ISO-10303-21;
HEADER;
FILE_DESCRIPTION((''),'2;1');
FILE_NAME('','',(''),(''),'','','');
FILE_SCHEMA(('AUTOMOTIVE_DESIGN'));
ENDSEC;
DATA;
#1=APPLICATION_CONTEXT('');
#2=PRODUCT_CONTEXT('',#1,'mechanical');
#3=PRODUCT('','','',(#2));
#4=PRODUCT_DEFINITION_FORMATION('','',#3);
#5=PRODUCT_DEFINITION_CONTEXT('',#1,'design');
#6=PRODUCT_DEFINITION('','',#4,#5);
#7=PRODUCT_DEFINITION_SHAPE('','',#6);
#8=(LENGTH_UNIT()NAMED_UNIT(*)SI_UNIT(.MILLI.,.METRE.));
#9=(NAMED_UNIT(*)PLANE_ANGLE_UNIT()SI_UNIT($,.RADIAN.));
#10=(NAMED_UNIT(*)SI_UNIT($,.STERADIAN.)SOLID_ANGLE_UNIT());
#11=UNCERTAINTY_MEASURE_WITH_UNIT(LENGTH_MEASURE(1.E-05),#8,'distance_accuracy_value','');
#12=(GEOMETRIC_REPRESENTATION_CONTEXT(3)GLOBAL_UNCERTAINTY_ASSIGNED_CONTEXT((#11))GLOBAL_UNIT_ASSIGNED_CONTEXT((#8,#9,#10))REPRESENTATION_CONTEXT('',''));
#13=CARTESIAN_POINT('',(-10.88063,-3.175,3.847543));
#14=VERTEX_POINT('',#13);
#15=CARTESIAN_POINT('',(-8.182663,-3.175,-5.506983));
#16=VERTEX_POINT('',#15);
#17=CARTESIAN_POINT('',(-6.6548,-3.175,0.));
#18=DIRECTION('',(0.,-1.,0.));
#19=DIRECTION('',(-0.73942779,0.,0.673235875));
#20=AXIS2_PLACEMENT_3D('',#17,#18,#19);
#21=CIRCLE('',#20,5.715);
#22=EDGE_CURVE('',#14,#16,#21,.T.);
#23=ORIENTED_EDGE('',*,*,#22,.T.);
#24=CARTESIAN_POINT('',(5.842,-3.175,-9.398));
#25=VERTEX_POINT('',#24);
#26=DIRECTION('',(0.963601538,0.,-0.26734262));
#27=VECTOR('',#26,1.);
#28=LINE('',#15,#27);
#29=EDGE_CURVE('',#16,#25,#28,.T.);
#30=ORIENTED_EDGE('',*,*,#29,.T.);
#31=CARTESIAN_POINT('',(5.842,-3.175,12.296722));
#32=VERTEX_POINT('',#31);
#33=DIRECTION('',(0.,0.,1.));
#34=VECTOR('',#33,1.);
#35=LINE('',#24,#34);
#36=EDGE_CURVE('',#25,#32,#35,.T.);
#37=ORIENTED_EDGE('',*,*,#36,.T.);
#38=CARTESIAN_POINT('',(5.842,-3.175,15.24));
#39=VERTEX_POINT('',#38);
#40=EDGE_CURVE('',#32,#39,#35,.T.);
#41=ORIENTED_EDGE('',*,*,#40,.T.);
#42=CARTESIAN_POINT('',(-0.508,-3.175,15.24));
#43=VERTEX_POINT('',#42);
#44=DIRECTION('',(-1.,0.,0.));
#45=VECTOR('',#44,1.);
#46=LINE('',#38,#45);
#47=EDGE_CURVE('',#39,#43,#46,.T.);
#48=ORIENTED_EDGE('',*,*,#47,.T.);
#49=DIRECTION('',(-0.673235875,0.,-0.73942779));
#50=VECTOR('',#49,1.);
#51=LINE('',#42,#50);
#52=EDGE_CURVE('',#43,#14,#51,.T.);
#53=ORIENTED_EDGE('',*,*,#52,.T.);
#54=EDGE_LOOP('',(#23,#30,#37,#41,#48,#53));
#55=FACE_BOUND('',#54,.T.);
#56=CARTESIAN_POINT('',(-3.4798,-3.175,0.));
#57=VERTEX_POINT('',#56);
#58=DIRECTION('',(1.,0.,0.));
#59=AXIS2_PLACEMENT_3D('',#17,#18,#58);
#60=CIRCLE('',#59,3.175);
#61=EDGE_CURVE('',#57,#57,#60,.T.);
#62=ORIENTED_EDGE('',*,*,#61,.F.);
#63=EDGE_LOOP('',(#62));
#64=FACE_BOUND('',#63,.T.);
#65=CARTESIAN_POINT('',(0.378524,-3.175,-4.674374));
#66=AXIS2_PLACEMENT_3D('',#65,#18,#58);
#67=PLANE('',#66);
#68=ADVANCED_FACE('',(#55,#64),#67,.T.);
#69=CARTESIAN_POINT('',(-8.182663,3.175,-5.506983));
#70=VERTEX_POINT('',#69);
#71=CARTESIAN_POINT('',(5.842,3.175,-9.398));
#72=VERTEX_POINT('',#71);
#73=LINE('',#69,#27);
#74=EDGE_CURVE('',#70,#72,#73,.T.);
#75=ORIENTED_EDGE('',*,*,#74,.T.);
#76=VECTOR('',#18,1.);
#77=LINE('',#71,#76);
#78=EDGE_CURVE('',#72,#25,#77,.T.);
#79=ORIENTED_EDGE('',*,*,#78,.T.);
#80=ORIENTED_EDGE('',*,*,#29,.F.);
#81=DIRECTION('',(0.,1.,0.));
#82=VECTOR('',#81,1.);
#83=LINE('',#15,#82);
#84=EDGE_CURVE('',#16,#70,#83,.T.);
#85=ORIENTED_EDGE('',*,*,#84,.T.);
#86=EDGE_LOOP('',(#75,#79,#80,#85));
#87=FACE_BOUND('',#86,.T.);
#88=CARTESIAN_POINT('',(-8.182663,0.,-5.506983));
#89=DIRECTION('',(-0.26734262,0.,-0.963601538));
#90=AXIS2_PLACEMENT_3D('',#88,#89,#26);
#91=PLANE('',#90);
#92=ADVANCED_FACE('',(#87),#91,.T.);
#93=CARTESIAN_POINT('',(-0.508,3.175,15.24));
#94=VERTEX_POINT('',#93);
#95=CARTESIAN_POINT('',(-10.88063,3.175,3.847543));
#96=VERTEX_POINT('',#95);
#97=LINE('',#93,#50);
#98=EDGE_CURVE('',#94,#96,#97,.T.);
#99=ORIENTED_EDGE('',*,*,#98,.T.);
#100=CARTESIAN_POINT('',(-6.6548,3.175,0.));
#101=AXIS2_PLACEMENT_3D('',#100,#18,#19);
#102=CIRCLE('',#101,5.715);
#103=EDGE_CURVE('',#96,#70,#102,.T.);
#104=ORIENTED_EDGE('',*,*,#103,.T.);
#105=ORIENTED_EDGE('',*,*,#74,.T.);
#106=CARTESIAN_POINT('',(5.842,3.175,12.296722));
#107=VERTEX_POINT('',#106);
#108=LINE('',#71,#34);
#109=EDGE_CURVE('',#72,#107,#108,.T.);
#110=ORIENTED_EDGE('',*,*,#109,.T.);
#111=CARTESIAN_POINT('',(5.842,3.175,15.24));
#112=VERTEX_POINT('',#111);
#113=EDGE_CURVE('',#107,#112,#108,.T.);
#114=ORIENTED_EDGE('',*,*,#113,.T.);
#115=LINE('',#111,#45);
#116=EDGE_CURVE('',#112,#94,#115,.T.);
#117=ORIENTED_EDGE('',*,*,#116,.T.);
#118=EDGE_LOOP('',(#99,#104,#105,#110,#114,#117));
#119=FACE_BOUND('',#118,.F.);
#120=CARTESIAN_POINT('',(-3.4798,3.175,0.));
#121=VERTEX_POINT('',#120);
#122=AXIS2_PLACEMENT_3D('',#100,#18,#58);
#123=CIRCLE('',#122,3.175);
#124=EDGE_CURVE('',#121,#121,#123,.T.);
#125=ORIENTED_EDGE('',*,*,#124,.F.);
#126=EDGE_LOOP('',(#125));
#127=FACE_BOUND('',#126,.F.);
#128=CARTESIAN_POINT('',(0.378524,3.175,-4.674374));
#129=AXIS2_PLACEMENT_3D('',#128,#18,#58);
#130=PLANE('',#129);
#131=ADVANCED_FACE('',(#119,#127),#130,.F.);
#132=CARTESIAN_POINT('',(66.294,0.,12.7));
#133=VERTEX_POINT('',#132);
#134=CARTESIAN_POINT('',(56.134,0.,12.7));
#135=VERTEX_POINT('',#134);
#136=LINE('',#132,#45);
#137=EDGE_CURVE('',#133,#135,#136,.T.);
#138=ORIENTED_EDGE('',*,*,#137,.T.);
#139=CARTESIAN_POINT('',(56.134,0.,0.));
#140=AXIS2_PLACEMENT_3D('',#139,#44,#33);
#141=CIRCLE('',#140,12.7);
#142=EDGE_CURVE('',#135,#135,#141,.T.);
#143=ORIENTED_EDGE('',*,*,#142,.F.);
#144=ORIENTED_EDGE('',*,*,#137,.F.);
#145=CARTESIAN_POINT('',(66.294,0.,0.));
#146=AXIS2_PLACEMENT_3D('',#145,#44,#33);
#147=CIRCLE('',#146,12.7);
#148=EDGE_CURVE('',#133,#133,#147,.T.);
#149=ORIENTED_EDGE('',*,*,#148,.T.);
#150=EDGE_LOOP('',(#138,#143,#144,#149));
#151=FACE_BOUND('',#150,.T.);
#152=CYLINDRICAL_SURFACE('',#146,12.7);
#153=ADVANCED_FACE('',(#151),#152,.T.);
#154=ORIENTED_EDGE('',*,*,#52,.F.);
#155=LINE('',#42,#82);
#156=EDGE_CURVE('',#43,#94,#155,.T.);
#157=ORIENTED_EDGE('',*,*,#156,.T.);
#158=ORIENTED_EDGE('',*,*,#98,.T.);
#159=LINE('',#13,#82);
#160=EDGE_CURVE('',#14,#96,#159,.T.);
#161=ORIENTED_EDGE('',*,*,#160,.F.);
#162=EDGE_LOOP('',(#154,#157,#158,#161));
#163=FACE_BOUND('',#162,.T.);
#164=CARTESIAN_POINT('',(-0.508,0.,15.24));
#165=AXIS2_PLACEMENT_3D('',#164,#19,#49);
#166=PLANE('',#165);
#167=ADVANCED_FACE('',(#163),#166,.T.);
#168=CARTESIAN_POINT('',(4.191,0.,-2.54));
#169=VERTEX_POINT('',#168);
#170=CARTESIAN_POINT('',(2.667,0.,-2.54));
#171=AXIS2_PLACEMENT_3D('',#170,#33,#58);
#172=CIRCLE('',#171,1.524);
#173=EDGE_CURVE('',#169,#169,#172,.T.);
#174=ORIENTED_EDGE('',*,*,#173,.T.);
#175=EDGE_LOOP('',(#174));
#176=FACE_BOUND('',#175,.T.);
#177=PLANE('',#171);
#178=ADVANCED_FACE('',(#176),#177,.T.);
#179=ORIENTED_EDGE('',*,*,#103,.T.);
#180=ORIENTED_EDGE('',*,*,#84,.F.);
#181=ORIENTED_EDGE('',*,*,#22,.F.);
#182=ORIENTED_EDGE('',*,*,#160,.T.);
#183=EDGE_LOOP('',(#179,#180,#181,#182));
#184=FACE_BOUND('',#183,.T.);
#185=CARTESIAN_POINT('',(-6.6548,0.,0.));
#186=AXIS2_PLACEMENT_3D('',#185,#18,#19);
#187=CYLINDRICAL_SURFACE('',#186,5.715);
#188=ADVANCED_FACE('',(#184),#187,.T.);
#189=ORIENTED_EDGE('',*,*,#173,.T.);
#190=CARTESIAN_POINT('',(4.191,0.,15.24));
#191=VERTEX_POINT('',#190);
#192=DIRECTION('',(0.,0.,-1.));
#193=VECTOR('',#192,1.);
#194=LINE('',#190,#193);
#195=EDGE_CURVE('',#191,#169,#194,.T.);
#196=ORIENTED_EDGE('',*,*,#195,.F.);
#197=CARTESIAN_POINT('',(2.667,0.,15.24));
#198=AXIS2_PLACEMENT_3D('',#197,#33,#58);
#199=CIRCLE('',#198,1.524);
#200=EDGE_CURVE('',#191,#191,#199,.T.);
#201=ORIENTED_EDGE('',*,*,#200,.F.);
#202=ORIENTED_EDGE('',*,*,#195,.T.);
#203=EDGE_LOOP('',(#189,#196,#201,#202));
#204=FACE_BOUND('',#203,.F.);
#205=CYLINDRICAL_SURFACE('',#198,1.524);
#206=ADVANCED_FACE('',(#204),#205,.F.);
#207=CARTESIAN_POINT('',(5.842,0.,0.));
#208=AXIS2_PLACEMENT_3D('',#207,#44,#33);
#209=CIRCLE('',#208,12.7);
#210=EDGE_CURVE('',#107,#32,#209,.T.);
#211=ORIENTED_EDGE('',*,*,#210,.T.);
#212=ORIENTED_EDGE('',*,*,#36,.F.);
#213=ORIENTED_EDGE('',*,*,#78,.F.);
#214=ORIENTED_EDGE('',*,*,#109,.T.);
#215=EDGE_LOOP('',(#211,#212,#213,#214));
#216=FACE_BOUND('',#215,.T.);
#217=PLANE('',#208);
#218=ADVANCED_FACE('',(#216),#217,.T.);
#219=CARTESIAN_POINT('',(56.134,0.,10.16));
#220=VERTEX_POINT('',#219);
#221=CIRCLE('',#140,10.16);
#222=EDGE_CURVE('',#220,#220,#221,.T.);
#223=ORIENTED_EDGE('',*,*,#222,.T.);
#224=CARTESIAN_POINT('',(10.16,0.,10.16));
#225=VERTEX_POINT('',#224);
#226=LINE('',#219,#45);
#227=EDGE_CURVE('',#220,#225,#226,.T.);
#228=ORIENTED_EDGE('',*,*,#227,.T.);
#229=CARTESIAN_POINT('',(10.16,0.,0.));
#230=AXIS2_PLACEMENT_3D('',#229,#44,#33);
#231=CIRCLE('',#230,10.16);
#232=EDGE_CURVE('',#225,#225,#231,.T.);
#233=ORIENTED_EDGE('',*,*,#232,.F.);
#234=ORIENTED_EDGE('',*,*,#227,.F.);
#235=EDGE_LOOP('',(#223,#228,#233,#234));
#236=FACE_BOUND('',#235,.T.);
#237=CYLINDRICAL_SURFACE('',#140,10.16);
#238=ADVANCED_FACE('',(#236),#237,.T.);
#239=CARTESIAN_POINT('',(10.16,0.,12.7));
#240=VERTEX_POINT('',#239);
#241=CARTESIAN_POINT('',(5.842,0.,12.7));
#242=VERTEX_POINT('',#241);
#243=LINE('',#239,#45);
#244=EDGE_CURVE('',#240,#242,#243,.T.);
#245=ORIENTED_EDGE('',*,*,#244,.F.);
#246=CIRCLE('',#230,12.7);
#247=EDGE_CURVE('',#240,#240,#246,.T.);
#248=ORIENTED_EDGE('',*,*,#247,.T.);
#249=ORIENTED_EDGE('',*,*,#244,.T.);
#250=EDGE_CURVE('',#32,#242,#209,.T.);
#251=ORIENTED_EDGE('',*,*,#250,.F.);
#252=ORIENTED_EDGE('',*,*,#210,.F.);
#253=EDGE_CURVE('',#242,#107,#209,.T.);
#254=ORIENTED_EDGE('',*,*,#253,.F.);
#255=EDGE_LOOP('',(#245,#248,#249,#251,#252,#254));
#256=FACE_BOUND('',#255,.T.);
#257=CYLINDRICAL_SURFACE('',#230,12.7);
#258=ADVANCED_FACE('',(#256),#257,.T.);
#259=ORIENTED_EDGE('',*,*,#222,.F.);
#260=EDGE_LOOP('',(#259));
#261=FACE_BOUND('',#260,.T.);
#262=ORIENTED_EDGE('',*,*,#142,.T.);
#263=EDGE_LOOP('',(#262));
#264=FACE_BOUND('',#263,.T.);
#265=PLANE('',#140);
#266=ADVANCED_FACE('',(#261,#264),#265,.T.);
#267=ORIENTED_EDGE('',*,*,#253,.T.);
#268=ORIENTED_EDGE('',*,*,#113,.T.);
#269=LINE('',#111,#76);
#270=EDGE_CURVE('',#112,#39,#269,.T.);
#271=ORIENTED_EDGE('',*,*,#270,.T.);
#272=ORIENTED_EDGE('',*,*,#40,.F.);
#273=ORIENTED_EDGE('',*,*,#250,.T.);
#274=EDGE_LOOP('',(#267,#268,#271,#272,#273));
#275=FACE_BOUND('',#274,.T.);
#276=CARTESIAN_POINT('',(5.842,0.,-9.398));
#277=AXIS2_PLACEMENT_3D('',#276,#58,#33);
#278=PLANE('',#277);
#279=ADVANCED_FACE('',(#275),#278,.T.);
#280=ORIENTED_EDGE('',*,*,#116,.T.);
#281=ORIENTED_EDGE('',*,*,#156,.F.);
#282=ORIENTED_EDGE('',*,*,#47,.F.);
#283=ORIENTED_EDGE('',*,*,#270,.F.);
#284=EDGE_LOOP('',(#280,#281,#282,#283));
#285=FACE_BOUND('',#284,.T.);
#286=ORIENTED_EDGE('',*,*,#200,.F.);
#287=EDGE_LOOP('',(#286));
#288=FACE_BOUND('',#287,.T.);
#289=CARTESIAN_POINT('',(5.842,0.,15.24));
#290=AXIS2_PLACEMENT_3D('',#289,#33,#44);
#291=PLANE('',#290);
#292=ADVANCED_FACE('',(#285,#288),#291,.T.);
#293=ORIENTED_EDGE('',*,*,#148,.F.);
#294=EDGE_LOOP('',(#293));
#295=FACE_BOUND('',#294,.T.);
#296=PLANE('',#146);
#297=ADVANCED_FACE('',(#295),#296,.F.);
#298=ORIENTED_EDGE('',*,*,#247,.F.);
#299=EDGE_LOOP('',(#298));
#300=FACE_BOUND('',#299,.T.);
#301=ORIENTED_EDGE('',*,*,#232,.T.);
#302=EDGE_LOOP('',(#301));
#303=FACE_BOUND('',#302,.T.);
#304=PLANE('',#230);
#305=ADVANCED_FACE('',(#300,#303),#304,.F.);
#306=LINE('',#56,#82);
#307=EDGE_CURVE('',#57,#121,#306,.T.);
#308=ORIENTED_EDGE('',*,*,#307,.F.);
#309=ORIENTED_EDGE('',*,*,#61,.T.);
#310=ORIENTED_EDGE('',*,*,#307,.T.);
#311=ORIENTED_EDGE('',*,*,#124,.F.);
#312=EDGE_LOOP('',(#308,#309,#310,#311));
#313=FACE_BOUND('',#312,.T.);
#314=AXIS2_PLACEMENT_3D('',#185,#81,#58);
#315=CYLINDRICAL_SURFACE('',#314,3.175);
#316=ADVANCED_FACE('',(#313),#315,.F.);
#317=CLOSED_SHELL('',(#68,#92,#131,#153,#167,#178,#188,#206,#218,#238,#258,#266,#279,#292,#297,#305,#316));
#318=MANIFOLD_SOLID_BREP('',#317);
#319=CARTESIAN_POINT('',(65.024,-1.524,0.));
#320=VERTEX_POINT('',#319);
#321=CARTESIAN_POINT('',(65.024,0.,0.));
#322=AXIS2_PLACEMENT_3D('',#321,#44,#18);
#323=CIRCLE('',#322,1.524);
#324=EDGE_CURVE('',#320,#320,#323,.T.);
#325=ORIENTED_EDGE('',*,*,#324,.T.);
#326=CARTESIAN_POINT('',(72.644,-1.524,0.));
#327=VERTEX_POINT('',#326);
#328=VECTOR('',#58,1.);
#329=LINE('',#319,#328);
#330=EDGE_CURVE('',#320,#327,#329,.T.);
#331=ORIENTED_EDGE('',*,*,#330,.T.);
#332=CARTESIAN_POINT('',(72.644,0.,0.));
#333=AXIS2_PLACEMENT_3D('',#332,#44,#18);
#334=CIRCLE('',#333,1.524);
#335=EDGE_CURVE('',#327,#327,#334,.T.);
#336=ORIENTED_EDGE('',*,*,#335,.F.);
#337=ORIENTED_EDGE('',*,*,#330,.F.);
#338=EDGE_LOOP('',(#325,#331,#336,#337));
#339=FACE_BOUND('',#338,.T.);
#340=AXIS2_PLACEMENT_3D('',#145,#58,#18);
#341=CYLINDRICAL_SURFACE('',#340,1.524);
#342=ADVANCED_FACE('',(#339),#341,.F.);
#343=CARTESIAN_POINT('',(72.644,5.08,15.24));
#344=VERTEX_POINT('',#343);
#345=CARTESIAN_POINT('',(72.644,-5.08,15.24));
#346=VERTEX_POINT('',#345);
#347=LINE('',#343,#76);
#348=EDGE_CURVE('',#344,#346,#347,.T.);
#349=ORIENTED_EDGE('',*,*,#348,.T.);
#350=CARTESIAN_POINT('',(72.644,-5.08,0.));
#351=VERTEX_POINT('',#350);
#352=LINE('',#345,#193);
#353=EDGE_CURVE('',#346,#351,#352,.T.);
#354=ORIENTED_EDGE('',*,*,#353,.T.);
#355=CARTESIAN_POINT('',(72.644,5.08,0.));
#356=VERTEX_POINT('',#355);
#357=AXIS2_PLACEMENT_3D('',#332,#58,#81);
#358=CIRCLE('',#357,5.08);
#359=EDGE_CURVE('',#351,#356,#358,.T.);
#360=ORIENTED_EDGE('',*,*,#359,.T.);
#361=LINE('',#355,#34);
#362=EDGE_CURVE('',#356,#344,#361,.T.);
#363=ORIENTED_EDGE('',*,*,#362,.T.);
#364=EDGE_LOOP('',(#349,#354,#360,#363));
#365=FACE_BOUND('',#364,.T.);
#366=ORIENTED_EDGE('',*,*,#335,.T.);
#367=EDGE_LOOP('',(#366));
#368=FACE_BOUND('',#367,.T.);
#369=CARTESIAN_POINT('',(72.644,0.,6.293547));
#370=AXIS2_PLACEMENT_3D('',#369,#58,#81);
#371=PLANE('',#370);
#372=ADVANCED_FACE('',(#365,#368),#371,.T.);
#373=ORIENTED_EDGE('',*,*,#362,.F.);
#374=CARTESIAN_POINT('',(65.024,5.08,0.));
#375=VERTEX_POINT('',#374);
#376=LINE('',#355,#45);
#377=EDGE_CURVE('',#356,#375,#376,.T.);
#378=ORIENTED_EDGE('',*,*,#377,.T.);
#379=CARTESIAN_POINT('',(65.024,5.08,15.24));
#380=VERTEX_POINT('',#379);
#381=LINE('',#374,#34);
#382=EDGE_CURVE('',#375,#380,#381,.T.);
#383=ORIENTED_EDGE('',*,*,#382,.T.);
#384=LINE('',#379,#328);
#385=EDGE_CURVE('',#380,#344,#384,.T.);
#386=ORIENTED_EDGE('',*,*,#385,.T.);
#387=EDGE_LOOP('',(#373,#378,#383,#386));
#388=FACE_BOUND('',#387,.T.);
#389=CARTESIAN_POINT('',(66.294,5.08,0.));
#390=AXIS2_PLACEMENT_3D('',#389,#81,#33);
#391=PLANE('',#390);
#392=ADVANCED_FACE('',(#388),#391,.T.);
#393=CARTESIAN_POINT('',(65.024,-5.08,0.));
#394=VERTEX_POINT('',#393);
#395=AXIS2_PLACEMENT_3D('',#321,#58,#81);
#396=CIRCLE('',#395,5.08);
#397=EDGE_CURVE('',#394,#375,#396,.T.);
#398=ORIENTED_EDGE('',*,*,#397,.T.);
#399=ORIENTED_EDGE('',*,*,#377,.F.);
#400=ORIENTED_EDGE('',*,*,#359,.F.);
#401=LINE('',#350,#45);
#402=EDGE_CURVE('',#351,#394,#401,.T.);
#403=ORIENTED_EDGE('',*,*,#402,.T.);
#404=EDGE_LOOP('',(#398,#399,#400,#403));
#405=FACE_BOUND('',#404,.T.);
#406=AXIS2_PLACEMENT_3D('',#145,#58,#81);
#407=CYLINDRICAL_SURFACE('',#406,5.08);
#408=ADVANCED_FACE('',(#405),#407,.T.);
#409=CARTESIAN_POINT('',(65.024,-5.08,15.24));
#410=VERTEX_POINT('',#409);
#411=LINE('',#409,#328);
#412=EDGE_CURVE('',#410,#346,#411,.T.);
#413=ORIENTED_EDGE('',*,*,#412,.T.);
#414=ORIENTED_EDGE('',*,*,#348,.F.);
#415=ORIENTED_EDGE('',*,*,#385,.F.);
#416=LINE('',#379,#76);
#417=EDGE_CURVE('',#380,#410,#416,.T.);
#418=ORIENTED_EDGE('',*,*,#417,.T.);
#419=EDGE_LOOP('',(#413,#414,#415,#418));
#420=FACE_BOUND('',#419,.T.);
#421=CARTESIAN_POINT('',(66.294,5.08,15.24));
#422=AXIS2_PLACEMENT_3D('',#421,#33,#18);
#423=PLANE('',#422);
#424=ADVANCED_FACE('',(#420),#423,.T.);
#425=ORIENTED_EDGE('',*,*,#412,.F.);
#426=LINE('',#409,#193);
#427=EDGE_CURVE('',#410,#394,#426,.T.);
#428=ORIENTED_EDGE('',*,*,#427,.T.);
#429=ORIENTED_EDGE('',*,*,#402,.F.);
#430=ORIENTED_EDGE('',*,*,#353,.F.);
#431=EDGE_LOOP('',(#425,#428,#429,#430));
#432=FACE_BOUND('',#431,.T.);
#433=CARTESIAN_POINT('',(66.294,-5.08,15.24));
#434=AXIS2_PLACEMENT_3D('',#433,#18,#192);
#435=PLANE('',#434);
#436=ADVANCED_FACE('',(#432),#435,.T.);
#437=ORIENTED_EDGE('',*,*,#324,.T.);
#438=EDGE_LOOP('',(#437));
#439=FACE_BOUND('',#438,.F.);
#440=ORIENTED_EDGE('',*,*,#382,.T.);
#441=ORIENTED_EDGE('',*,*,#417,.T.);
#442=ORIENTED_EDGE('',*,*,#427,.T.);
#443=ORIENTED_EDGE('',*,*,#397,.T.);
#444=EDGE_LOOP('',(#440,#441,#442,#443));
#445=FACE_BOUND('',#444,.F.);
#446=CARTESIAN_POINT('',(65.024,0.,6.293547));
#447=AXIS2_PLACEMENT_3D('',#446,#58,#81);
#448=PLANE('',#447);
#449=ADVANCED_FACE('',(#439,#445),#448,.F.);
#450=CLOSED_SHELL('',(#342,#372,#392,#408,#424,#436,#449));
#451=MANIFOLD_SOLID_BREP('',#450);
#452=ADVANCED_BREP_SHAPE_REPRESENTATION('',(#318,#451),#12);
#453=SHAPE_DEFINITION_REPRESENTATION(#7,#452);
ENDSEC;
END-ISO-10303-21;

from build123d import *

# Parameters (mm, degrees)
F0_W          = 5.842
F0_H          = 12.7
F0_R          = 3.175
F2_DEPTH      = 3.175
F4_R          = 1.524
F5_DEPTH      = 17.78
F6_DEPTH      = 6.35
F6_DEPTH_BACK = 1.27


with BuildPart() as f1:
    # F0 (on Front) → F1 (revolve)
    with BuildSketch(Plane.XZ):
        Polygon((5.842, 12.7), (5.842, 0), (66.294, 0), (66.294, 12.7), (56.134, 12.7), (56.134, 10.16), (10.16, 10.16), (10.16, 12.7), align=None)
    revolve(axis=Axis((33.147, 0, 0), (-1, 0, 0)))

    # F0 (on Front) → F2 (join, symmetric)
    with BuildSketch(Plane.XZ):
        with BuildLine():
            Line((5.842, 0), (0, 0))
            Line((0, 0), (-0.9398, 0))
            ThreePointArc((-0.9398, 0), (-3.1957909266, -4.5493385486), (-8.1826630726, -5.5069827884))
            Line((-8.1826630726, -5.5069827884), (5.842, -9.398))
            Line((5.842, -9.398), (5.842, 0))
        make_face()
        with Locations((2.921, 6.35)):
            Rectangle(F0_W, F0_H)
        with BuildLine():
            Line((-0.9398, 0), (0, 0))
            Line((0, 0), (0, 12.7))
            Line((0, 12.7), (5.842, 12.7))
            Line((5.842, 12.7), (5.842, 15.24))
            Line((5.842, 15.24), (-0.508, 15.24))
            Line((-0.508, 15.24), (-10.8806298187, 3.8475430269))
            ThreePointArc((-10.8806298187, 3.8475430269), (-4.5919612295, 5.3297205562), (-0.9398, 0))
        make_face()
        with BuildLine():
            ThreePointArc((-8.1826630726, -5.5069827884), (-3.1957909266, -4.5493385486), (-0.9398, 0))
            ThreePointArc((-0.9398, 0), (-4.5919612295, 5.3297205562), (-10.8806298187, 3.8475430269))
            ThreePointArc((-10.8806298187, 3.8475430269), (-12.1459778134, -1.5837270034), (-8.1826630726, -5.5069827884))
        make_face()
        with Locations((-6.6548, 0)):
            Circle(F0_R, mode=Mode.SUBTRACT)
    extrude(amount=F2_DEPTH, both=True)

    # F4 (on face) → F5 (cut)
    with BuildSketch(Plane.XY.offset(15.24)):
        with Locations((2.667, 0)):
            Circle(F4_R)
    extrude(amount=-F5_DEPTH, mode=Mode.SUBTRACT)


with BuildPart() as f6:
    # F3 (on face) → F6 (new body, two sides)
    with BuildSketch(Plane.YZ.offset(66.294)) as f6_sk:
        with BuildLine():
            ThreePointArc((-5.08, 0), (0, 5.08), (5.08, 0))
            Line((5.08, 0), (5.08, 11.6397422652))
            ThreePointArc((5.08, 11.6397422652), (0, 12.7), (-5.08, 11.6397422652))
            Line((-5.08, 11.6397422652), (-5.08, 0))
        make_face()
        with BuildLine():
            ThreePointArc((-5.08, 11.6397422652), (0, 12.7), (5.08, 11.6397422652))
            Line((5.08, 11.6397422652), (5.08, 15.24))
            Line((5.08, 15.24), (-5.08, 15.24))
            Line((-5.08, 15.24), (-5.08, 11.6397422652))
        make_face()
        with BuildLine():
            ThreePointArc((-5.08, 0), (0, -5.08), (5.08, 0))
            ThreePointArc((5.08, 0), (0, 5.08), (-5.08, 0))
        make_face()
        with BuildLine():
            ThreePointArc((1.524, 0), (0, -1.524), (-1.524, 0))
            ThreePointArc((-1.524, 0), (0, 1.524), (1.524, 0))
        make_face(mode=Mode.SUBTRACT)
    extrude(amount=F6_DEPTH)
    extrude(f6_sk.sketch, amount=-F6_DEPTH_BACK)


solid = Compound([f1.part, f6.part])
